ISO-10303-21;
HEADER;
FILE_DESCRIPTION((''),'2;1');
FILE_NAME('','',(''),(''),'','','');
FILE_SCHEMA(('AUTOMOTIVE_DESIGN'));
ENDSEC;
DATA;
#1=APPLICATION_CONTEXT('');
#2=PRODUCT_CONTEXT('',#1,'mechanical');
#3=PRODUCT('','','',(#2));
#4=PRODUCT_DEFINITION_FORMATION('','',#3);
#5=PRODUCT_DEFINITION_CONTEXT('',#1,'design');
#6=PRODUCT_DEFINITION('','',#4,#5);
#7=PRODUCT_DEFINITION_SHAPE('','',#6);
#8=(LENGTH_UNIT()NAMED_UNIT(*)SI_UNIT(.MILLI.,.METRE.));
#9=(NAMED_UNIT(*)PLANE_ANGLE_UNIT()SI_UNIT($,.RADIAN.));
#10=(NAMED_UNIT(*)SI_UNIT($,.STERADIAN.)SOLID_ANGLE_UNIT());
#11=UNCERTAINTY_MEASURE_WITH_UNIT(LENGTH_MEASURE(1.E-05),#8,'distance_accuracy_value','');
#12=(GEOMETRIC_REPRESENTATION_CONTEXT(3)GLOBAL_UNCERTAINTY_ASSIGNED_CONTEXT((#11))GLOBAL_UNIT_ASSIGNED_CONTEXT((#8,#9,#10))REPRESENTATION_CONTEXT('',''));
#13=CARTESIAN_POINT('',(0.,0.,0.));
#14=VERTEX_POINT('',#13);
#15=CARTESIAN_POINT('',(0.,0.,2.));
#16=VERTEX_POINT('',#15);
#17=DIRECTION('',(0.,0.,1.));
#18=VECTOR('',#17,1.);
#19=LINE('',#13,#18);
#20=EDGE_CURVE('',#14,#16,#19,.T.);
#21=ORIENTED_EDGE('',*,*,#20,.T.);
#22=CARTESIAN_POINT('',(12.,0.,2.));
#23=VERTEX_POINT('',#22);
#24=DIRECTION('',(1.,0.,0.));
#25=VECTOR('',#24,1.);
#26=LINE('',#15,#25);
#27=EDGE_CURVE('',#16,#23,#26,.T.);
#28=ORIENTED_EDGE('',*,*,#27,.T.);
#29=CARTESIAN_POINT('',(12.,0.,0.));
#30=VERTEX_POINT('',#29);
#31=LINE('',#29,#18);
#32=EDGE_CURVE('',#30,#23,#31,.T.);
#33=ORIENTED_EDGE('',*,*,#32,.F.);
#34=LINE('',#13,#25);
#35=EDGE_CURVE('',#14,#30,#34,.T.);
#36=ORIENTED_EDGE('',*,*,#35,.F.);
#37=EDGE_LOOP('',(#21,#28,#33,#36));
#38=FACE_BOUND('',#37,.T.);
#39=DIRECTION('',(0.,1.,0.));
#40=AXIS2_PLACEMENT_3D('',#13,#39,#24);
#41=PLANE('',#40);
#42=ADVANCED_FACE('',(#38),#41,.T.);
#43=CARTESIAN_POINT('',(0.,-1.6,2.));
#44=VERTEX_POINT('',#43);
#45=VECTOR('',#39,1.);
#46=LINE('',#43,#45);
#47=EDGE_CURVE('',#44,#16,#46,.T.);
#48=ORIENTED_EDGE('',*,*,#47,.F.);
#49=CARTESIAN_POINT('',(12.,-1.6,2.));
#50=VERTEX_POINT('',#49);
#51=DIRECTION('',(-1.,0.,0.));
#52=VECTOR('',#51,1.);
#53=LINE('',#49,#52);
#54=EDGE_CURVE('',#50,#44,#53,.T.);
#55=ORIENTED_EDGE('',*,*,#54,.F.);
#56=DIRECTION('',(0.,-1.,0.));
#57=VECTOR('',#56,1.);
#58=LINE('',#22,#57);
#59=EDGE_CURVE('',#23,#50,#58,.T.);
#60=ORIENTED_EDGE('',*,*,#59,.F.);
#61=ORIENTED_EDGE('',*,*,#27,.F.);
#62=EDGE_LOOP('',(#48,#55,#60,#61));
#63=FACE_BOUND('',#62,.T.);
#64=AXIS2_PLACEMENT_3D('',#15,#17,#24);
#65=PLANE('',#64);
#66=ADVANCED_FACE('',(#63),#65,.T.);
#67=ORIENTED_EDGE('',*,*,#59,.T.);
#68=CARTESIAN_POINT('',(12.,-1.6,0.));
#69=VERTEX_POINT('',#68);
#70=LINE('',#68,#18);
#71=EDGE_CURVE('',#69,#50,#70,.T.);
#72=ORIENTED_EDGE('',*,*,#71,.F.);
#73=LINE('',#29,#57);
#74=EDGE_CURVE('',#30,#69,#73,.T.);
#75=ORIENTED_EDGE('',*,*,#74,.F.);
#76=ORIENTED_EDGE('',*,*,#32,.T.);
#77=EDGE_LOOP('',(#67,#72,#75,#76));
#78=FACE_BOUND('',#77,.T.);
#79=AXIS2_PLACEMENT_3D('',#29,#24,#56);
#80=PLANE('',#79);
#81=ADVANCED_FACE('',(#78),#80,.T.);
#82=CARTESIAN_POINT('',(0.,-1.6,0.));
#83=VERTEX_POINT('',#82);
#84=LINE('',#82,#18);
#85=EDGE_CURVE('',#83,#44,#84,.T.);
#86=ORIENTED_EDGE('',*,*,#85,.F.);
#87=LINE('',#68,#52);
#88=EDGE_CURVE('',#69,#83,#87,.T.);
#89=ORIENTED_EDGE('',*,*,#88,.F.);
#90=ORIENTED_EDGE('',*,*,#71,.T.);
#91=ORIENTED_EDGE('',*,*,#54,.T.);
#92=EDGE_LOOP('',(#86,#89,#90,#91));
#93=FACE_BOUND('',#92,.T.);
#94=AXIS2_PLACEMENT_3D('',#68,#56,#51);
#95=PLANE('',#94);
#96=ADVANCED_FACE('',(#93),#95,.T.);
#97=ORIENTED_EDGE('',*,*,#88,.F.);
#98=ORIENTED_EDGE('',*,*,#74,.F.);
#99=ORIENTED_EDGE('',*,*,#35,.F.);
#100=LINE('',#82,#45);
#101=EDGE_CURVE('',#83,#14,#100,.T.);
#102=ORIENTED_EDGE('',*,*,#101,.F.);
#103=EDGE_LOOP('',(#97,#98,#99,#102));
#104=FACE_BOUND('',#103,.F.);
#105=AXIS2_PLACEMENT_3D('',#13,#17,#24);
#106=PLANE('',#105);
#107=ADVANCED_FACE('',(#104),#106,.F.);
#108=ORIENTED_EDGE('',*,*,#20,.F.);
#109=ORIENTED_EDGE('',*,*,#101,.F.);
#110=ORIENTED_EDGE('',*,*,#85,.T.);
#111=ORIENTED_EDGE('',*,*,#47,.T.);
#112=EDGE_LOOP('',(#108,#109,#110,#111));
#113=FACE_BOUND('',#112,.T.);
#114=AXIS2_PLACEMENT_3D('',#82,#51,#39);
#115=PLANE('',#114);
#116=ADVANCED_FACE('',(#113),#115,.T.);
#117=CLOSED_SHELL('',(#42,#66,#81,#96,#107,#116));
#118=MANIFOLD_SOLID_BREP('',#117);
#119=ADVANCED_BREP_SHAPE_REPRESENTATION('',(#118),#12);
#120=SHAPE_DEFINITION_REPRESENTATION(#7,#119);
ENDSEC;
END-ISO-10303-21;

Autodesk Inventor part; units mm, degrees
ref_plane "YZ Plane" through (0, 0, 0) normal (1, 0, 0) x (0, 1, 0)
ref_plane "XZ Plane" through (0, 0, 0) normal (0, 1, 0) x (-1, 0, 0)
ref_plane "XY Plane" through (0, 0, 0) normal (0, 0, 1) x (1, 0, 0)
sketch "Эскиз1" plane through (0, 0, 0) normal (0, 0, 1) x (1, 0, 0)
  line L0 (0, 0) -> (12, 0)
  line L1 (12, 0) -> (12, -1.6)
  line L2 (12, -1.6) -> (0, -1.6)
  line L3 (0, -1.6) -> (0, 0)
  dimension "d0" = 12
  dimension "d1" = 1.6
extrude "Выдавливание1" add sketch "Эскиз1" along normal blind 2
properties part number "upor razyoma"
